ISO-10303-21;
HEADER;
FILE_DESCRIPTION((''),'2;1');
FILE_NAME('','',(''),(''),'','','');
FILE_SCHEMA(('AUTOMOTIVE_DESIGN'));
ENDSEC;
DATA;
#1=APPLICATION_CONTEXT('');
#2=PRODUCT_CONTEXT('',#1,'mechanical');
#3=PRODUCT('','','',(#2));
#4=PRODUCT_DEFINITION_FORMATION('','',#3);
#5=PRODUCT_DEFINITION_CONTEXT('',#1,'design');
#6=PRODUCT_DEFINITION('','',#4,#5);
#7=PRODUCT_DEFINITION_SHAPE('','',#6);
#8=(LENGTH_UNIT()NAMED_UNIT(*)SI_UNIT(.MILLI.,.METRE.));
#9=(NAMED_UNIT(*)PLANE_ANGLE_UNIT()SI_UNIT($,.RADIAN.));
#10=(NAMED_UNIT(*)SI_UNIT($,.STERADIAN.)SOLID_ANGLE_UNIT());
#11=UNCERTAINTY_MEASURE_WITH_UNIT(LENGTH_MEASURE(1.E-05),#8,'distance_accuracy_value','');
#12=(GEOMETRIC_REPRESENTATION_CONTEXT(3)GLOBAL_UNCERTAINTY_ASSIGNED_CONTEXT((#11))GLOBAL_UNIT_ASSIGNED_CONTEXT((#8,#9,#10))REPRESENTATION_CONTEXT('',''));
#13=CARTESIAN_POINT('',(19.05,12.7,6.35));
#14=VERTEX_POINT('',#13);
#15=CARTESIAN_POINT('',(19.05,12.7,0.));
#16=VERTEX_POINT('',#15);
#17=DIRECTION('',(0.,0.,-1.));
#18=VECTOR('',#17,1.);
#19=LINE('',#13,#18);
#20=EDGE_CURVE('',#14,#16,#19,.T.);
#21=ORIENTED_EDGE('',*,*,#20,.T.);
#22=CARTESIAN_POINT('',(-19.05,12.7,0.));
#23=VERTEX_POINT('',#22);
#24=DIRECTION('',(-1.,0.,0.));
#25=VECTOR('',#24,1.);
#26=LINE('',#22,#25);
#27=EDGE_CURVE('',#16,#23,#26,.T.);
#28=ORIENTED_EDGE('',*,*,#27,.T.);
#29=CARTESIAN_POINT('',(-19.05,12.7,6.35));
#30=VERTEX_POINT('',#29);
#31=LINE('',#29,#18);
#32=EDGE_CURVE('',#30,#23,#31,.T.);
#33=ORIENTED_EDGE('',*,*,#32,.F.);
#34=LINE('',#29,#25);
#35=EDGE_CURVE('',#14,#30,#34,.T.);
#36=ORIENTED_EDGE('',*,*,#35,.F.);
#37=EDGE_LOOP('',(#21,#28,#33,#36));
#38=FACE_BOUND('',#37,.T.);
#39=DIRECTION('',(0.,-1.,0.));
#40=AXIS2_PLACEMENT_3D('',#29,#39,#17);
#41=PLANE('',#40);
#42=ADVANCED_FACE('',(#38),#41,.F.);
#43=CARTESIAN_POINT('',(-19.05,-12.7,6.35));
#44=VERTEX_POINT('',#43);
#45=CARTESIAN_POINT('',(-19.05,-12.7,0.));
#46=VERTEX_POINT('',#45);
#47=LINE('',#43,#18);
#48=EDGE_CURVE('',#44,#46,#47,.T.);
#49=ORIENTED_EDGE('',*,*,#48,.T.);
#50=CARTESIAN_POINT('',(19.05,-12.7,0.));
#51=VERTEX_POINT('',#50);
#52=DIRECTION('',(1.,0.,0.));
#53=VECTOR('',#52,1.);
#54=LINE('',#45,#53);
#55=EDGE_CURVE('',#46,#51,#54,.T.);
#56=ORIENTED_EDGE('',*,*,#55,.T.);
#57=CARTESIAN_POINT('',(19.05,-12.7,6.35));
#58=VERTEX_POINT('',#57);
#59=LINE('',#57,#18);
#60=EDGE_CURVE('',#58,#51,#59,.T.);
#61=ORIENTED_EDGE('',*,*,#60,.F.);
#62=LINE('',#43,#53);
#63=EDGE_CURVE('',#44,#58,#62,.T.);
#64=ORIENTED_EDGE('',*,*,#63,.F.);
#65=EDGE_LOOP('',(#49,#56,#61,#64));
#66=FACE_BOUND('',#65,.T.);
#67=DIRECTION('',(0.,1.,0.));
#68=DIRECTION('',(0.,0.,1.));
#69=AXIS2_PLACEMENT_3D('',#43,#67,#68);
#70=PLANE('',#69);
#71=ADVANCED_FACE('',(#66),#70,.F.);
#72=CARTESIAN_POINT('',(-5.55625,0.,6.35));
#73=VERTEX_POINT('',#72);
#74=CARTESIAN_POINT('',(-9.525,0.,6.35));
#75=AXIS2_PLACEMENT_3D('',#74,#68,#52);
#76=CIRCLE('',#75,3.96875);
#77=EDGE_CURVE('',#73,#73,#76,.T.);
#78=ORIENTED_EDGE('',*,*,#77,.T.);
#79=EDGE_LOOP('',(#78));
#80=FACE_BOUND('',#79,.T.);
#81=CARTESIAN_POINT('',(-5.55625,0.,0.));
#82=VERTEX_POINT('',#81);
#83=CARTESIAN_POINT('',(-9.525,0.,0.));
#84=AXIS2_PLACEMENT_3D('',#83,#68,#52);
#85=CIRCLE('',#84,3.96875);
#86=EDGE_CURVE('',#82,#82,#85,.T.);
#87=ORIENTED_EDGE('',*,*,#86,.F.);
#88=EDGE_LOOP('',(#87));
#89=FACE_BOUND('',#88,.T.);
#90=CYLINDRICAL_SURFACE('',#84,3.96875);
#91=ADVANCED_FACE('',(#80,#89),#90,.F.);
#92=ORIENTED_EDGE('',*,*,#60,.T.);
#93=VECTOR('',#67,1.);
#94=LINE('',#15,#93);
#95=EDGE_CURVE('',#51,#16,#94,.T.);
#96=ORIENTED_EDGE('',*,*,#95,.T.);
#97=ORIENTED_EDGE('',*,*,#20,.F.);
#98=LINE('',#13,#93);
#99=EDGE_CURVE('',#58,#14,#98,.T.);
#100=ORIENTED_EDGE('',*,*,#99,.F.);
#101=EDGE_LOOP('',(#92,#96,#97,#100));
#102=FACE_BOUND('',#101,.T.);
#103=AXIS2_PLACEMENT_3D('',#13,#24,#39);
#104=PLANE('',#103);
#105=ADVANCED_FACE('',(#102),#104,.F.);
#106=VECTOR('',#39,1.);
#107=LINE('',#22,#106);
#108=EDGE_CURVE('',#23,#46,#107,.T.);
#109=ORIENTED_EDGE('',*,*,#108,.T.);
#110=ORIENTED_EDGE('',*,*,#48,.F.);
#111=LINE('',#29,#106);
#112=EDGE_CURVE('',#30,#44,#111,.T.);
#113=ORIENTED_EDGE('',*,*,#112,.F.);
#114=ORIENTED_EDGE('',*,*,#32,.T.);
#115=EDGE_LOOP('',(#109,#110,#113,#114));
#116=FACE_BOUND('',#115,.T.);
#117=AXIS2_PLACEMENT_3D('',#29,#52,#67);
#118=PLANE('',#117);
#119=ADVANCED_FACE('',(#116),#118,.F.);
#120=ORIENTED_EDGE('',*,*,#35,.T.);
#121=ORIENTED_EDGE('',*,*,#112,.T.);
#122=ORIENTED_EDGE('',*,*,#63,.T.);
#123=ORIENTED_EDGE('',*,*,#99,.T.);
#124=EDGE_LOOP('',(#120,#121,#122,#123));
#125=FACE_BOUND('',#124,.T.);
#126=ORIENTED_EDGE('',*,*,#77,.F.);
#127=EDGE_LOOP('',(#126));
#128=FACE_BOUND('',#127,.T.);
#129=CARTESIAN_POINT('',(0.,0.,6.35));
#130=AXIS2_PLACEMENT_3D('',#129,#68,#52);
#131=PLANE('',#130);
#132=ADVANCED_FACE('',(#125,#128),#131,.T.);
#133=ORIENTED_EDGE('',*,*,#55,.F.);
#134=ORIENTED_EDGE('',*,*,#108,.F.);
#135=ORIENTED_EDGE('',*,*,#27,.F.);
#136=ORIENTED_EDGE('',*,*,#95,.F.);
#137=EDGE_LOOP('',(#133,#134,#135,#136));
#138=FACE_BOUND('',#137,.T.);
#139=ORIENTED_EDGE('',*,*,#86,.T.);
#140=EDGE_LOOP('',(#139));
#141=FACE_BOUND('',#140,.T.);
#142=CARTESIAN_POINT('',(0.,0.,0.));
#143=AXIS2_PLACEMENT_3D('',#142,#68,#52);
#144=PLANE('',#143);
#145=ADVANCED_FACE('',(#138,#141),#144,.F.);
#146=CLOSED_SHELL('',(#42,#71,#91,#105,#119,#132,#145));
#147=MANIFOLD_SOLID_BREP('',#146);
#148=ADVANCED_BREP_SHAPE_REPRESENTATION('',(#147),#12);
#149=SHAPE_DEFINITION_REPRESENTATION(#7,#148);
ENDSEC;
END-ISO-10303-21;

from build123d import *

# Parameters (mm, degrees)
SKETCH1_W           = 38.1
SKETCH1_H           = 25.4
BOSS_EXTRUDE1_DEPTH = 6.35
SKETCH2_R           = 3.96875
CUT_EXTRUDE1_DEPTH  = 24.759524406


with BuildPart() as part:
    # Sketch1 → Boss-Extrude1 (new body)
    with BuildSketch(Plane.XY):
        Rectangle(SKETCH1_W, SKETCH1_H)
    extrude(amount=BOSS_EXTRUDE1_DEPTH)

    # Sketch2 → Cut-Extrude1 (cut, through all)
    with BuildSketch(Plane.XY.offset(6.35)):
        with Locations((-9.525, 0)):
            Circle(SKETCH2_R)
    extrude(amount=-CUT_EXTRUDE1_DEPTH, mode=Mode.SUBTRACT)


solid = part.part
